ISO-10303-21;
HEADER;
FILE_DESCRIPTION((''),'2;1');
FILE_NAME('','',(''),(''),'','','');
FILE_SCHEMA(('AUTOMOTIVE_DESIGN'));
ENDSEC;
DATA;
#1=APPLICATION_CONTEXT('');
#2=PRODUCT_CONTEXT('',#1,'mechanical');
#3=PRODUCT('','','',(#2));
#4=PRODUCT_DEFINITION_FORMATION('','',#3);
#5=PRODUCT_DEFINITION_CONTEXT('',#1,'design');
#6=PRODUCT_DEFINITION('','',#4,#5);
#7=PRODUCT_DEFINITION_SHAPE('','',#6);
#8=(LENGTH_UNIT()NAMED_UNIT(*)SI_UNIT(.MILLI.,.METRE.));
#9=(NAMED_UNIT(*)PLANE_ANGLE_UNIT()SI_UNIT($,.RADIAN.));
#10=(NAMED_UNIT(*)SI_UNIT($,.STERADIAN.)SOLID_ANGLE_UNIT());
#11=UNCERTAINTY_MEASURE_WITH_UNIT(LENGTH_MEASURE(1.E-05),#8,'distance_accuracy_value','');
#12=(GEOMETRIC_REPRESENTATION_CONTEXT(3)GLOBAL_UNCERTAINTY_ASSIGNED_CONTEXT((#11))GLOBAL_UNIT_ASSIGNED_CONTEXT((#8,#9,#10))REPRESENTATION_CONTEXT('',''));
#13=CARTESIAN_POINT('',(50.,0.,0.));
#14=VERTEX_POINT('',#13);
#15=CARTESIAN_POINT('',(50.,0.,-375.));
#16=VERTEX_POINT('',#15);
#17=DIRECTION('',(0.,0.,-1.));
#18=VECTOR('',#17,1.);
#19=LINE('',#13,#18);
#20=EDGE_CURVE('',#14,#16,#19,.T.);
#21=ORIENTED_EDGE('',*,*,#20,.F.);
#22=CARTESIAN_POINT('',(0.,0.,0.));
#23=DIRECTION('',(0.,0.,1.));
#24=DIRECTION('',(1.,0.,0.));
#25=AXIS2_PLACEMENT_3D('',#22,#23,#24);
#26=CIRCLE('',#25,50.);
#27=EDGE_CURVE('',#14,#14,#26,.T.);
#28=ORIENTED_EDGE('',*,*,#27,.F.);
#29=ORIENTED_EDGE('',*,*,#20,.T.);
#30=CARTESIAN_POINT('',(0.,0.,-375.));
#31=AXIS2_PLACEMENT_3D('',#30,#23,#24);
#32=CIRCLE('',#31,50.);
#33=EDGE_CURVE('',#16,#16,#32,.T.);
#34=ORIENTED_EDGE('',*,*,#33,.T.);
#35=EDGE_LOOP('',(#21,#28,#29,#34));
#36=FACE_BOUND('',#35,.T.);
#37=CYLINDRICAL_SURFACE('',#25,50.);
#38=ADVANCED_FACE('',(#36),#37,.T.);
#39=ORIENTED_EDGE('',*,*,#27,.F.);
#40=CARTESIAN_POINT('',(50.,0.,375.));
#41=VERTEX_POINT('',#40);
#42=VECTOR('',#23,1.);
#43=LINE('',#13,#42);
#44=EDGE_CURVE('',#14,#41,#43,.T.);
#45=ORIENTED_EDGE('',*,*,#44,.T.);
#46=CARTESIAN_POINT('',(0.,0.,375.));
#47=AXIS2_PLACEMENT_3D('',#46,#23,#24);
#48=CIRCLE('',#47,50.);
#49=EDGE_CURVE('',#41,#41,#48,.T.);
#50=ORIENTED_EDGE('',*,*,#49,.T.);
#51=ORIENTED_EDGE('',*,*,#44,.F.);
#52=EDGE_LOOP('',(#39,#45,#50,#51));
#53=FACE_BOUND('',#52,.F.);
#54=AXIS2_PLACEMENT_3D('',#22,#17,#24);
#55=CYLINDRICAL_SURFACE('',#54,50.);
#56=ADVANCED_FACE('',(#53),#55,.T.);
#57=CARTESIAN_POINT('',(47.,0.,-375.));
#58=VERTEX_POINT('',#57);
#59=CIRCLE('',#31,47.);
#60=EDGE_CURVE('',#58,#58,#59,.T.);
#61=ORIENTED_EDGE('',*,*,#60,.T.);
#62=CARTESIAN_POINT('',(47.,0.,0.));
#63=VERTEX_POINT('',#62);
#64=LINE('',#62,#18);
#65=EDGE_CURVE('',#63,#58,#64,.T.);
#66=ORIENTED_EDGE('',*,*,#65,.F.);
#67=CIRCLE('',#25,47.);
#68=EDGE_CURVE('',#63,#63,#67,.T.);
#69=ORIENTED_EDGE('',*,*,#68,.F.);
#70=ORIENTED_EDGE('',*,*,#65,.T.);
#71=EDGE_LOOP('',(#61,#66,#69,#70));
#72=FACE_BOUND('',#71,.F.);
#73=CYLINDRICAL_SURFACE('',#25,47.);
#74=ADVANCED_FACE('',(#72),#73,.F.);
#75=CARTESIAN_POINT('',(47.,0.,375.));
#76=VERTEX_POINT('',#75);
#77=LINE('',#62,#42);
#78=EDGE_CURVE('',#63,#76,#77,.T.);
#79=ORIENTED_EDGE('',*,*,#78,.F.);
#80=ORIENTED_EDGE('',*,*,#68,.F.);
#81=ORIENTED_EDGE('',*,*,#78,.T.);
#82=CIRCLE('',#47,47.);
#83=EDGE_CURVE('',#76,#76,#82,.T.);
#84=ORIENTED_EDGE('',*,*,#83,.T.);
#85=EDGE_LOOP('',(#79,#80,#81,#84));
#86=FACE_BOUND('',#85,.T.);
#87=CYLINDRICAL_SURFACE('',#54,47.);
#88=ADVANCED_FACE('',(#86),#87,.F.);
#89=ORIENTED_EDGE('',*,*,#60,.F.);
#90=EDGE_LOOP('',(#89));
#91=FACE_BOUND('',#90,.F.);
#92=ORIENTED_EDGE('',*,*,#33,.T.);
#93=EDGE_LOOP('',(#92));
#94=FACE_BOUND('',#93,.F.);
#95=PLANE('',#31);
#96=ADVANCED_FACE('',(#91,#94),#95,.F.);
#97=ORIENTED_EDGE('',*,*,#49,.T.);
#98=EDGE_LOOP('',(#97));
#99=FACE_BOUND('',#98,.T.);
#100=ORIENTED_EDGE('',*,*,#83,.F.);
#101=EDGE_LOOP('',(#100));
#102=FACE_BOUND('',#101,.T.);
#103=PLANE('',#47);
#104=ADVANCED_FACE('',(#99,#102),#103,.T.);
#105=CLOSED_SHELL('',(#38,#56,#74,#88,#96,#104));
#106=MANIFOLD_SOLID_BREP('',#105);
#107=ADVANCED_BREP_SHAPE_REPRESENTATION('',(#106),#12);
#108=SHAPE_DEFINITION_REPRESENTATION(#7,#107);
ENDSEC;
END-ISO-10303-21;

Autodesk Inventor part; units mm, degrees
sketch "Esboço2" plane through (0, 0, 0) normal (0, 0, 1) x (1, 0, 0)
  circle A0 centre (0, 0) radius 50
  circle A1 centre (0, 0) radius 47
  dimension "d6" = 100
  dimension "d7" = 3
extrude "Extrusão1" add sketch "Esboço2" along normal mid plane 750
properties part number "Sessao5_0002_001" material "Aço, fundido"
